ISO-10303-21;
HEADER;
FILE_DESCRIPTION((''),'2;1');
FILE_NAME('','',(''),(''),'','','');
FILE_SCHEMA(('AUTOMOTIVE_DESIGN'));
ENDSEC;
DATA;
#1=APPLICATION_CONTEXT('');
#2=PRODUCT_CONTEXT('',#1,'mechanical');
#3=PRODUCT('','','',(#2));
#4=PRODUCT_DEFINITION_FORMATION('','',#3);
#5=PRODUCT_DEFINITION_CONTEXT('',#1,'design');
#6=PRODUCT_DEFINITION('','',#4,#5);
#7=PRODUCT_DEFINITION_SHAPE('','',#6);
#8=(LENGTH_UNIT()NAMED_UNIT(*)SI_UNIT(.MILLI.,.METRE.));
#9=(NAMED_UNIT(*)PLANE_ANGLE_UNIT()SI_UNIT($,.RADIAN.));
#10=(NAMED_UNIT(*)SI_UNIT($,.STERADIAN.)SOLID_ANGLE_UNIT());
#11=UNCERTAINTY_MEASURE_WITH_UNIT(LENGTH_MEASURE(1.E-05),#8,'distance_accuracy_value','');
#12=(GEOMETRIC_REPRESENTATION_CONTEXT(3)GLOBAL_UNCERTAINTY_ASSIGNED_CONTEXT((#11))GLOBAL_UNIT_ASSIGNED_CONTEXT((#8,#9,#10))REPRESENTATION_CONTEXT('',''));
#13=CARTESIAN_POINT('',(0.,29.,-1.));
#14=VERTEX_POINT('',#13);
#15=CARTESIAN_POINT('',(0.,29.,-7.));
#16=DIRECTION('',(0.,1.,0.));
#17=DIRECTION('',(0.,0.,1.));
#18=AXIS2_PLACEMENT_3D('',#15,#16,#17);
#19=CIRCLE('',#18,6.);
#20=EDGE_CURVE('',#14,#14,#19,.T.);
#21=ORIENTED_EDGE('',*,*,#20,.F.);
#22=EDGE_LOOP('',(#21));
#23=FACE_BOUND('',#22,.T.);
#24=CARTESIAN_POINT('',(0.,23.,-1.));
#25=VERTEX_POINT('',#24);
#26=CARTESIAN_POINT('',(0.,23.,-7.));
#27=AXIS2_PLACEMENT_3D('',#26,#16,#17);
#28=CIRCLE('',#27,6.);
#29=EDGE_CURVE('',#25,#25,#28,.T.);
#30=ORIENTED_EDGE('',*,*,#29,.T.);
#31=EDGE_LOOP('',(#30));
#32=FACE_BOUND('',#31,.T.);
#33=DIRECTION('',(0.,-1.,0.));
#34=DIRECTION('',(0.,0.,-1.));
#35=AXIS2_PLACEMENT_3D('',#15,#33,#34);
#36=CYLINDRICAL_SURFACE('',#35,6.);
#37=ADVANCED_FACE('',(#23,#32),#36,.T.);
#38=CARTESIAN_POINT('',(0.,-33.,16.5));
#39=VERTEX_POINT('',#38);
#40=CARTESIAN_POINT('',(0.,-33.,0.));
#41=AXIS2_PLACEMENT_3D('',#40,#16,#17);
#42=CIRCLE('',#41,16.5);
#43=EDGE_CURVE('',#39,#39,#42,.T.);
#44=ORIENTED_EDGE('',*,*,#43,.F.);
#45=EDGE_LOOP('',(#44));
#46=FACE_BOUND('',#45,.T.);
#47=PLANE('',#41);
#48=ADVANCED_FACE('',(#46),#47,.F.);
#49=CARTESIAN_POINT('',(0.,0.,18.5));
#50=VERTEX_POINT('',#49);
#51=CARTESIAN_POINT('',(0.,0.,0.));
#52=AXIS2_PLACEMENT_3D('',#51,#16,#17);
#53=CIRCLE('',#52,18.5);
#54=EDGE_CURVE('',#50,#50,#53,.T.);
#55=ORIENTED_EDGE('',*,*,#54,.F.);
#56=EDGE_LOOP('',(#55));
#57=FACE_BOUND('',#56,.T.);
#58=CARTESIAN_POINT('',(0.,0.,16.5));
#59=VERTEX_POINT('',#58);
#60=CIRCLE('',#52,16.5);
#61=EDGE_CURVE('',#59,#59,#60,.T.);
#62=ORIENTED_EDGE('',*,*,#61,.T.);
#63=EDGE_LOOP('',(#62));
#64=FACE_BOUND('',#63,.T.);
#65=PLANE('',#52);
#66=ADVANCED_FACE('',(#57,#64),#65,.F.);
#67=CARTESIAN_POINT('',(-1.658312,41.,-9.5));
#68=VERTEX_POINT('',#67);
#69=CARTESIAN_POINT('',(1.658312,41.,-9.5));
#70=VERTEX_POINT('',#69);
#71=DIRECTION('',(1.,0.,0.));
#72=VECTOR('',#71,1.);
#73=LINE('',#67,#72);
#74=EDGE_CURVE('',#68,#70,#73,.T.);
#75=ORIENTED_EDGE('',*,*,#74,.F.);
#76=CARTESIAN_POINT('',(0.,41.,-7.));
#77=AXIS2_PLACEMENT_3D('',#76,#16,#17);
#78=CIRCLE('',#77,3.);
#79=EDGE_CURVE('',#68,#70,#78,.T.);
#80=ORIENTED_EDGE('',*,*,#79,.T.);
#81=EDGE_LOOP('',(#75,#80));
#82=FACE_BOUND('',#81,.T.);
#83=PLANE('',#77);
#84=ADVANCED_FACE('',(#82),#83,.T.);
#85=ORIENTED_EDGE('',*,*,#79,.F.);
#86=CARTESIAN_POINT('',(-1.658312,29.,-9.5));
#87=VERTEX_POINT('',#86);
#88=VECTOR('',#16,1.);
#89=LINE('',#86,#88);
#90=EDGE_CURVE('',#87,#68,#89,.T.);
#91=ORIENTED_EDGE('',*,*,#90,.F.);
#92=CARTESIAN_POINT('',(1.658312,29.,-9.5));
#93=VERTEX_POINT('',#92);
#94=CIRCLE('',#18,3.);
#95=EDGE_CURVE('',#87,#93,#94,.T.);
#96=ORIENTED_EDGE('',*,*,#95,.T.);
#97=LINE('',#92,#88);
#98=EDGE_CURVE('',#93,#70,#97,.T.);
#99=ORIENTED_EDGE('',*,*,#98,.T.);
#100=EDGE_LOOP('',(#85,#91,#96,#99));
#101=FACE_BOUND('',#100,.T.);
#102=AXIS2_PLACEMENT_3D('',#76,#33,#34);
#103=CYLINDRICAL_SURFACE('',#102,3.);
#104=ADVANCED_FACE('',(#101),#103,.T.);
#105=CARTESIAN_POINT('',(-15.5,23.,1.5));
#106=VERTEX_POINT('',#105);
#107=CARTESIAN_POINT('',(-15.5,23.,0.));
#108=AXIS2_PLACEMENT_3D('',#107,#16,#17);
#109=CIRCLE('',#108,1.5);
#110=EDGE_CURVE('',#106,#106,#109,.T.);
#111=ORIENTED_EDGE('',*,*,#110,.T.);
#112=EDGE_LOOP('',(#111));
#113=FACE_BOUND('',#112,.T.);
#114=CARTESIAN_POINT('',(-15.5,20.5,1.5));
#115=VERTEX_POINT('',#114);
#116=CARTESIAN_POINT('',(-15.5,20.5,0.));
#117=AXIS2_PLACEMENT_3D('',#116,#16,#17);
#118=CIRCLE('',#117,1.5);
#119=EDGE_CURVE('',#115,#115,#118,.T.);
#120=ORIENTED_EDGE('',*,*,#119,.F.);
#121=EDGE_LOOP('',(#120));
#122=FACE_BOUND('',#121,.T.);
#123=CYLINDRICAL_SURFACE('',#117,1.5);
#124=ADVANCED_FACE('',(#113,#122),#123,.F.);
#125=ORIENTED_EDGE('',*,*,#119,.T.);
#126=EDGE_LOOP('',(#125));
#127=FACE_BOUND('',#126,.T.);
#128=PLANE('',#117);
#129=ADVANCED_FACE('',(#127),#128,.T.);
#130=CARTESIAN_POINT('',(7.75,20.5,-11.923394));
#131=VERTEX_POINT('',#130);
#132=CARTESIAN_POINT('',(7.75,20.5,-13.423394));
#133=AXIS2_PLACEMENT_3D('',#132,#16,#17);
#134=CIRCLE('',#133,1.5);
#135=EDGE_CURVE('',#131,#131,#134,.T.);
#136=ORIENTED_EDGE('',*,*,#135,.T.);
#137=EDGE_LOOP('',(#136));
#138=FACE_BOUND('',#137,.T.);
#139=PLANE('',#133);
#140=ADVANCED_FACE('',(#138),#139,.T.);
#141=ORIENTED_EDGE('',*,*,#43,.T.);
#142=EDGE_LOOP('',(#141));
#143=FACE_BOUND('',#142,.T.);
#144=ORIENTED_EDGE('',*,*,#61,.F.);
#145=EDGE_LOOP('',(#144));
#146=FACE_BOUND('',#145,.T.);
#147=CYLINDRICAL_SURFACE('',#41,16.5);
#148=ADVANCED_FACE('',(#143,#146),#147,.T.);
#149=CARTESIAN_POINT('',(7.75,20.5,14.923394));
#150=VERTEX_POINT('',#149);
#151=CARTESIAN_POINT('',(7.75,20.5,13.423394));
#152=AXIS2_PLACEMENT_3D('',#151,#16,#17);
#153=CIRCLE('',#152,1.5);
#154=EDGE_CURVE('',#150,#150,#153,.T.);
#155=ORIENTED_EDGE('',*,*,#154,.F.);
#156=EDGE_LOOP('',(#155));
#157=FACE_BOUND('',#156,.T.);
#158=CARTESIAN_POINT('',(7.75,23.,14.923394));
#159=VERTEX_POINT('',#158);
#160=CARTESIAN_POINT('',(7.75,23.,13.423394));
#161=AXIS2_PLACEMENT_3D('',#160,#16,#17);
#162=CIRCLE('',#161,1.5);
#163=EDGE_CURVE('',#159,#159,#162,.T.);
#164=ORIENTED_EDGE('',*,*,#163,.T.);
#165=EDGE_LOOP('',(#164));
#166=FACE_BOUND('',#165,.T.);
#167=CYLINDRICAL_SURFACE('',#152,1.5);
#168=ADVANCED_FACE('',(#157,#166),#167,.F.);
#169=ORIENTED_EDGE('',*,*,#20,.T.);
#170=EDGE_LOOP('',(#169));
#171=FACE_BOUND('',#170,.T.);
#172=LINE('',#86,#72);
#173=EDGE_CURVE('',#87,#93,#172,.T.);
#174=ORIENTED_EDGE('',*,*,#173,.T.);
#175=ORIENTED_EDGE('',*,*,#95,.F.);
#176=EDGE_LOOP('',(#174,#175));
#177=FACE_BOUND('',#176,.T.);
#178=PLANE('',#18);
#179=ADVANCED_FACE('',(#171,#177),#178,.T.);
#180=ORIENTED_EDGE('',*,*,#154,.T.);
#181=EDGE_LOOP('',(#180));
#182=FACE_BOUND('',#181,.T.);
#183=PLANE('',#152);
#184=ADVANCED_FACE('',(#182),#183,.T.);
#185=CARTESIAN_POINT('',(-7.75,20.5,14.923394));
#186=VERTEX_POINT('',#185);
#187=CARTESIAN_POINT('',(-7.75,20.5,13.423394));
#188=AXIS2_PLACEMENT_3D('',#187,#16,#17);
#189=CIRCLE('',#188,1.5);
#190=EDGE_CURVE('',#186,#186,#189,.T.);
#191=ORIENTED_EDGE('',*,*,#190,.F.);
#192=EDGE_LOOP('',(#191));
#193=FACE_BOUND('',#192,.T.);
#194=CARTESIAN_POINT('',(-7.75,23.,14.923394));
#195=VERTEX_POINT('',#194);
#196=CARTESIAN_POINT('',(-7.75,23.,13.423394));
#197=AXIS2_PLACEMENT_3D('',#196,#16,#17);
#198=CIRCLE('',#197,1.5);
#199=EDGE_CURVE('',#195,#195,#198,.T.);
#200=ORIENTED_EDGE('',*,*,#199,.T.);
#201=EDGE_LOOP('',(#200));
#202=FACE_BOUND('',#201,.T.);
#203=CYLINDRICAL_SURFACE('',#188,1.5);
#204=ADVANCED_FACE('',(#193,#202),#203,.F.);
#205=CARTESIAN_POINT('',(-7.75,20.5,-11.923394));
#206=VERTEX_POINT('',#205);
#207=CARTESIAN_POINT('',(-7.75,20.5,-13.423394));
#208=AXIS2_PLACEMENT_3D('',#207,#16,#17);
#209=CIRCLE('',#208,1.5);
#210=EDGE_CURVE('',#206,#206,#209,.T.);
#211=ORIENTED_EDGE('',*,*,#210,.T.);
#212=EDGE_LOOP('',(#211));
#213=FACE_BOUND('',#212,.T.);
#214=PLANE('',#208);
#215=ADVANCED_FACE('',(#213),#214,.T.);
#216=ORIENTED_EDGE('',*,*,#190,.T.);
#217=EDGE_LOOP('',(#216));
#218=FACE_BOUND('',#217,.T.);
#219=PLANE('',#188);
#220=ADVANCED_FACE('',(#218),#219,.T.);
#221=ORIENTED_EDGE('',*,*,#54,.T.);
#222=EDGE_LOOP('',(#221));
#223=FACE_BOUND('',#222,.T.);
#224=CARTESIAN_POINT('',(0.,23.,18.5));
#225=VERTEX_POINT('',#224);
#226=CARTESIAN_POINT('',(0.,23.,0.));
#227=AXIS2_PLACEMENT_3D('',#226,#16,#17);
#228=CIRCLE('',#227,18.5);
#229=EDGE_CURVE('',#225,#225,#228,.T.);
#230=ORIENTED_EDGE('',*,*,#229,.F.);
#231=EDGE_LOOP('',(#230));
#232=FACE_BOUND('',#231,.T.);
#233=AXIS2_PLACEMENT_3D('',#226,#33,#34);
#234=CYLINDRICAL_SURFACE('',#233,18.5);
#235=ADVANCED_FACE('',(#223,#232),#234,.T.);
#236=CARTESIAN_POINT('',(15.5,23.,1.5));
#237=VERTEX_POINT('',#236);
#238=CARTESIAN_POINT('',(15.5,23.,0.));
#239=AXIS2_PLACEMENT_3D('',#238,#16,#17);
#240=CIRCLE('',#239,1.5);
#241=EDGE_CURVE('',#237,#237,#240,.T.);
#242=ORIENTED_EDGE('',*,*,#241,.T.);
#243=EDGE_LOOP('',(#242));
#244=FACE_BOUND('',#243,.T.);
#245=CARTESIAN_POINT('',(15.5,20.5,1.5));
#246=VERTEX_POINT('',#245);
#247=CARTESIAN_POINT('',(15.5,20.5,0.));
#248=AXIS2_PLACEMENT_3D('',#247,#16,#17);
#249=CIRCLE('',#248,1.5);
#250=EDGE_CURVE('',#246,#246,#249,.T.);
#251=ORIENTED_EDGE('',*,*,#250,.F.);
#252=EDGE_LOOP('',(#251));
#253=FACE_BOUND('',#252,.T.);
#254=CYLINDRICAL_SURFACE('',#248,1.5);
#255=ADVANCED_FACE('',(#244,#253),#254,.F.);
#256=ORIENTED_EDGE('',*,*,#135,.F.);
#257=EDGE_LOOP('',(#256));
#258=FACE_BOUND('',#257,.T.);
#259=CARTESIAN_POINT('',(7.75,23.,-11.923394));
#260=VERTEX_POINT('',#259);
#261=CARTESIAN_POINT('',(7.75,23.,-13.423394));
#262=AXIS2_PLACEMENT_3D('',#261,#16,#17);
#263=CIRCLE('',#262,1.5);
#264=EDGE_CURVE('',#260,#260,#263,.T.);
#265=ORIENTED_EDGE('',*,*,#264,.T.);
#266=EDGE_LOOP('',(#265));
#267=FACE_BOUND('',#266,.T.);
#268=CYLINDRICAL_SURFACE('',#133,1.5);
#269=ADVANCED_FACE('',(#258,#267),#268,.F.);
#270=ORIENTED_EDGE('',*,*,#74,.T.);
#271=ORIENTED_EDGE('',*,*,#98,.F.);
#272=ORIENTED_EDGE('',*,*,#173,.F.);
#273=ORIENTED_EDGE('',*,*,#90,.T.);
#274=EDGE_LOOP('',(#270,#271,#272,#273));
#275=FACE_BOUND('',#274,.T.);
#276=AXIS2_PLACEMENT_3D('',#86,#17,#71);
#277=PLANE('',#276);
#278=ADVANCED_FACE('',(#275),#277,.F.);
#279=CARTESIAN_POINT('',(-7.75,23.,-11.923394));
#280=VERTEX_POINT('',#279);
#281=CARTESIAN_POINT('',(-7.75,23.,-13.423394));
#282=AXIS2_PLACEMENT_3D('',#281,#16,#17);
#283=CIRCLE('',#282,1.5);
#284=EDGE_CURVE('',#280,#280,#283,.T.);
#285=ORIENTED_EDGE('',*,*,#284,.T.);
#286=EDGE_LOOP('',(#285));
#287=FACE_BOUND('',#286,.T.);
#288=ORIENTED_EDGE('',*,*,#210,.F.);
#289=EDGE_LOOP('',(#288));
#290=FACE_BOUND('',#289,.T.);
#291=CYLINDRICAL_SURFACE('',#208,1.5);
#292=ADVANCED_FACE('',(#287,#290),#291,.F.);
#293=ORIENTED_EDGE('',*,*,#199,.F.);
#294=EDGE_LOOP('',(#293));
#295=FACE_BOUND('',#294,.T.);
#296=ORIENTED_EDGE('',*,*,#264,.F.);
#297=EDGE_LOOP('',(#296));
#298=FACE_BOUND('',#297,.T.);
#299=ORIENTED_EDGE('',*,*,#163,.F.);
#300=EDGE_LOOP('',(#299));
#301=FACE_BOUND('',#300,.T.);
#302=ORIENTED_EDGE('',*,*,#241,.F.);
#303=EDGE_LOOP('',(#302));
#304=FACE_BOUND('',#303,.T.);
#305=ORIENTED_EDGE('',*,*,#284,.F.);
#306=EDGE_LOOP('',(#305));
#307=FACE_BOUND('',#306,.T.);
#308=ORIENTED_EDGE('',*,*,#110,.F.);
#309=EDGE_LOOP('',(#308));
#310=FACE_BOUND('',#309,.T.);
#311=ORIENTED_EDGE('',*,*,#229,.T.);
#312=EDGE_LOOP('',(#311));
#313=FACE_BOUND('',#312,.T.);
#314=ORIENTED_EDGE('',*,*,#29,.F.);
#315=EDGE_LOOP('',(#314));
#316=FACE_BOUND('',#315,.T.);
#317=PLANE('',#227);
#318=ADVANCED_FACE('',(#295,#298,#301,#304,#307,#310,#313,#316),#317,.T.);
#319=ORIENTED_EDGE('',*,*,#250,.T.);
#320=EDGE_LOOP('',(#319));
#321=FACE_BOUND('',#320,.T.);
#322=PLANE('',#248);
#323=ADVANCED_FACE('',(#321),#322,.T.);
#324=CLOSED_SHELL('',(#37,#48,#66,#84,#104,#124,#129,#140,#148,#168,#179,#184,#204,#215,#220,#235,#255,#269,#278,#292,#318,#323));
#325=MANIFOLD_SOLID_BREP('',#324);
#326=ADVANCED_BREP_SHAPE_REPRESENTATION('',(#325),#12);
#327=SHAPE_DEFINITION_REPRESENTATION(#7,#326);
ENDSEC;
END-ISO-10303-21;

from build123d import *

# Parameters (mm, degrees)
SKETCH_1_R          = 16.5
EXTRUDE_1_DEPTH     = 33
SKETCH_1_3_R        = 18.5
EXTRUDE_2_DEPTH     = 23
SKETCH_3_R          = 1.5
CUT_EXTRUDE_1_DEPTH = 2.5
SKETCH_3_3_R        = 3
EXTRUDE_3_DEPTH     = 18
SKETCH_3_4_R        = 6
EXTRUDE_4_DEPTH     = 6
CUT_EXTRUDE_START   = -12
CUT_EXTRUDE_2_DEPTH = 12


with BuildPart() as part:
    # 草图1 → 凸台-拉伸1 (new body)
    with BuildSketch(Plane(origin=(0, 0, 0), x_dir=(1, 0, 0), z_dir=(0, 1, 0))):
        Circle(SKETCH_1_R)
    extrude(amount=-EXTRUDE_1_DEPTH)

    # 草图1<3> → 凸台-拉伸2 (add)
    with BuildSketch(Plane(origin=(0, 0, 0), x_dir=(1, 0, 0), z_dir=(0, 1, 0))):
        Circle(SKETCH_1_3_R)
    extrude(amount=EXTRUDE_2_DEPTH)

    # 草图3 → 切除-拉伸1 (cut)
    with BuildSketch(Plane(origin=(0, 23, 0), x_dir=(1, 0, 0), z_dir=(0, 1, 0))):
        with Locations((-7.75, 13.423393759)):
            Circle(SKETCH_3_R)
        with Locations((7.75, 13.423393759)):
            Circle(SKETCH_3_R)
        with Locations((15.5, 0)):
            Circle(SKETCH_3_R)
        with Locations((7.75, -13.423393759)):
            Circle(SKETCH_3_R)
        with Locations((-7.75, -13.423393759)):
            Circle(SKETCH_3_R)
        with Locations((-15.5, 0)):
            Circle(SKETCH_3_R)
    extrude(amount=-CUT_EXTRUDE_1_DEPTH, mode=Mode.SUBTRACT)

    # 草图3<3> → 凸台-拉伸3 (add)
    with BuildSketch(Plane(origin=(0, 23, 0), x_dir=(1, 0, 0), z_dir=(0, 1, 0))):
        with Locations((0, 7)):
            Circle(SKETCH_3_3_R)
    extrude(amount=EXTRUDE_3_DEPTH)

    # 草图3<4> → 凸台-拉伸4 (add)
    with BuildSketch(Plane(origin=(0, 23, 0), x_dir=(1, 0, 0), z_dir=(0, 1, 0))):
        with Locations((0, 7)):
            Circle(SKETCH_3_4_R)
    extrude(amount=EXTRUDE_4_DEPTH)

    # 草图4 → 切除-拉伸2 (cut)
    with BuildSketch(Plane(origin=(0, 41, 0), x_dir=(1, 0, 0), z_dir=(0, 1, 0)).offset(CUT_EXTRUDE_START)):
        with BuildLine():
            Line((-1.658312395, 9.5), (1.658312395, 9.5))
            ThreePointArc((1.658312395, 9.5), (0, 10), (-1.658312395, 9.5))
        make_face()
    extrude(amount=CUT_EXTRUDE_2_DEPTH, mode=Mode.SUBTRACT)


solid = part.part
